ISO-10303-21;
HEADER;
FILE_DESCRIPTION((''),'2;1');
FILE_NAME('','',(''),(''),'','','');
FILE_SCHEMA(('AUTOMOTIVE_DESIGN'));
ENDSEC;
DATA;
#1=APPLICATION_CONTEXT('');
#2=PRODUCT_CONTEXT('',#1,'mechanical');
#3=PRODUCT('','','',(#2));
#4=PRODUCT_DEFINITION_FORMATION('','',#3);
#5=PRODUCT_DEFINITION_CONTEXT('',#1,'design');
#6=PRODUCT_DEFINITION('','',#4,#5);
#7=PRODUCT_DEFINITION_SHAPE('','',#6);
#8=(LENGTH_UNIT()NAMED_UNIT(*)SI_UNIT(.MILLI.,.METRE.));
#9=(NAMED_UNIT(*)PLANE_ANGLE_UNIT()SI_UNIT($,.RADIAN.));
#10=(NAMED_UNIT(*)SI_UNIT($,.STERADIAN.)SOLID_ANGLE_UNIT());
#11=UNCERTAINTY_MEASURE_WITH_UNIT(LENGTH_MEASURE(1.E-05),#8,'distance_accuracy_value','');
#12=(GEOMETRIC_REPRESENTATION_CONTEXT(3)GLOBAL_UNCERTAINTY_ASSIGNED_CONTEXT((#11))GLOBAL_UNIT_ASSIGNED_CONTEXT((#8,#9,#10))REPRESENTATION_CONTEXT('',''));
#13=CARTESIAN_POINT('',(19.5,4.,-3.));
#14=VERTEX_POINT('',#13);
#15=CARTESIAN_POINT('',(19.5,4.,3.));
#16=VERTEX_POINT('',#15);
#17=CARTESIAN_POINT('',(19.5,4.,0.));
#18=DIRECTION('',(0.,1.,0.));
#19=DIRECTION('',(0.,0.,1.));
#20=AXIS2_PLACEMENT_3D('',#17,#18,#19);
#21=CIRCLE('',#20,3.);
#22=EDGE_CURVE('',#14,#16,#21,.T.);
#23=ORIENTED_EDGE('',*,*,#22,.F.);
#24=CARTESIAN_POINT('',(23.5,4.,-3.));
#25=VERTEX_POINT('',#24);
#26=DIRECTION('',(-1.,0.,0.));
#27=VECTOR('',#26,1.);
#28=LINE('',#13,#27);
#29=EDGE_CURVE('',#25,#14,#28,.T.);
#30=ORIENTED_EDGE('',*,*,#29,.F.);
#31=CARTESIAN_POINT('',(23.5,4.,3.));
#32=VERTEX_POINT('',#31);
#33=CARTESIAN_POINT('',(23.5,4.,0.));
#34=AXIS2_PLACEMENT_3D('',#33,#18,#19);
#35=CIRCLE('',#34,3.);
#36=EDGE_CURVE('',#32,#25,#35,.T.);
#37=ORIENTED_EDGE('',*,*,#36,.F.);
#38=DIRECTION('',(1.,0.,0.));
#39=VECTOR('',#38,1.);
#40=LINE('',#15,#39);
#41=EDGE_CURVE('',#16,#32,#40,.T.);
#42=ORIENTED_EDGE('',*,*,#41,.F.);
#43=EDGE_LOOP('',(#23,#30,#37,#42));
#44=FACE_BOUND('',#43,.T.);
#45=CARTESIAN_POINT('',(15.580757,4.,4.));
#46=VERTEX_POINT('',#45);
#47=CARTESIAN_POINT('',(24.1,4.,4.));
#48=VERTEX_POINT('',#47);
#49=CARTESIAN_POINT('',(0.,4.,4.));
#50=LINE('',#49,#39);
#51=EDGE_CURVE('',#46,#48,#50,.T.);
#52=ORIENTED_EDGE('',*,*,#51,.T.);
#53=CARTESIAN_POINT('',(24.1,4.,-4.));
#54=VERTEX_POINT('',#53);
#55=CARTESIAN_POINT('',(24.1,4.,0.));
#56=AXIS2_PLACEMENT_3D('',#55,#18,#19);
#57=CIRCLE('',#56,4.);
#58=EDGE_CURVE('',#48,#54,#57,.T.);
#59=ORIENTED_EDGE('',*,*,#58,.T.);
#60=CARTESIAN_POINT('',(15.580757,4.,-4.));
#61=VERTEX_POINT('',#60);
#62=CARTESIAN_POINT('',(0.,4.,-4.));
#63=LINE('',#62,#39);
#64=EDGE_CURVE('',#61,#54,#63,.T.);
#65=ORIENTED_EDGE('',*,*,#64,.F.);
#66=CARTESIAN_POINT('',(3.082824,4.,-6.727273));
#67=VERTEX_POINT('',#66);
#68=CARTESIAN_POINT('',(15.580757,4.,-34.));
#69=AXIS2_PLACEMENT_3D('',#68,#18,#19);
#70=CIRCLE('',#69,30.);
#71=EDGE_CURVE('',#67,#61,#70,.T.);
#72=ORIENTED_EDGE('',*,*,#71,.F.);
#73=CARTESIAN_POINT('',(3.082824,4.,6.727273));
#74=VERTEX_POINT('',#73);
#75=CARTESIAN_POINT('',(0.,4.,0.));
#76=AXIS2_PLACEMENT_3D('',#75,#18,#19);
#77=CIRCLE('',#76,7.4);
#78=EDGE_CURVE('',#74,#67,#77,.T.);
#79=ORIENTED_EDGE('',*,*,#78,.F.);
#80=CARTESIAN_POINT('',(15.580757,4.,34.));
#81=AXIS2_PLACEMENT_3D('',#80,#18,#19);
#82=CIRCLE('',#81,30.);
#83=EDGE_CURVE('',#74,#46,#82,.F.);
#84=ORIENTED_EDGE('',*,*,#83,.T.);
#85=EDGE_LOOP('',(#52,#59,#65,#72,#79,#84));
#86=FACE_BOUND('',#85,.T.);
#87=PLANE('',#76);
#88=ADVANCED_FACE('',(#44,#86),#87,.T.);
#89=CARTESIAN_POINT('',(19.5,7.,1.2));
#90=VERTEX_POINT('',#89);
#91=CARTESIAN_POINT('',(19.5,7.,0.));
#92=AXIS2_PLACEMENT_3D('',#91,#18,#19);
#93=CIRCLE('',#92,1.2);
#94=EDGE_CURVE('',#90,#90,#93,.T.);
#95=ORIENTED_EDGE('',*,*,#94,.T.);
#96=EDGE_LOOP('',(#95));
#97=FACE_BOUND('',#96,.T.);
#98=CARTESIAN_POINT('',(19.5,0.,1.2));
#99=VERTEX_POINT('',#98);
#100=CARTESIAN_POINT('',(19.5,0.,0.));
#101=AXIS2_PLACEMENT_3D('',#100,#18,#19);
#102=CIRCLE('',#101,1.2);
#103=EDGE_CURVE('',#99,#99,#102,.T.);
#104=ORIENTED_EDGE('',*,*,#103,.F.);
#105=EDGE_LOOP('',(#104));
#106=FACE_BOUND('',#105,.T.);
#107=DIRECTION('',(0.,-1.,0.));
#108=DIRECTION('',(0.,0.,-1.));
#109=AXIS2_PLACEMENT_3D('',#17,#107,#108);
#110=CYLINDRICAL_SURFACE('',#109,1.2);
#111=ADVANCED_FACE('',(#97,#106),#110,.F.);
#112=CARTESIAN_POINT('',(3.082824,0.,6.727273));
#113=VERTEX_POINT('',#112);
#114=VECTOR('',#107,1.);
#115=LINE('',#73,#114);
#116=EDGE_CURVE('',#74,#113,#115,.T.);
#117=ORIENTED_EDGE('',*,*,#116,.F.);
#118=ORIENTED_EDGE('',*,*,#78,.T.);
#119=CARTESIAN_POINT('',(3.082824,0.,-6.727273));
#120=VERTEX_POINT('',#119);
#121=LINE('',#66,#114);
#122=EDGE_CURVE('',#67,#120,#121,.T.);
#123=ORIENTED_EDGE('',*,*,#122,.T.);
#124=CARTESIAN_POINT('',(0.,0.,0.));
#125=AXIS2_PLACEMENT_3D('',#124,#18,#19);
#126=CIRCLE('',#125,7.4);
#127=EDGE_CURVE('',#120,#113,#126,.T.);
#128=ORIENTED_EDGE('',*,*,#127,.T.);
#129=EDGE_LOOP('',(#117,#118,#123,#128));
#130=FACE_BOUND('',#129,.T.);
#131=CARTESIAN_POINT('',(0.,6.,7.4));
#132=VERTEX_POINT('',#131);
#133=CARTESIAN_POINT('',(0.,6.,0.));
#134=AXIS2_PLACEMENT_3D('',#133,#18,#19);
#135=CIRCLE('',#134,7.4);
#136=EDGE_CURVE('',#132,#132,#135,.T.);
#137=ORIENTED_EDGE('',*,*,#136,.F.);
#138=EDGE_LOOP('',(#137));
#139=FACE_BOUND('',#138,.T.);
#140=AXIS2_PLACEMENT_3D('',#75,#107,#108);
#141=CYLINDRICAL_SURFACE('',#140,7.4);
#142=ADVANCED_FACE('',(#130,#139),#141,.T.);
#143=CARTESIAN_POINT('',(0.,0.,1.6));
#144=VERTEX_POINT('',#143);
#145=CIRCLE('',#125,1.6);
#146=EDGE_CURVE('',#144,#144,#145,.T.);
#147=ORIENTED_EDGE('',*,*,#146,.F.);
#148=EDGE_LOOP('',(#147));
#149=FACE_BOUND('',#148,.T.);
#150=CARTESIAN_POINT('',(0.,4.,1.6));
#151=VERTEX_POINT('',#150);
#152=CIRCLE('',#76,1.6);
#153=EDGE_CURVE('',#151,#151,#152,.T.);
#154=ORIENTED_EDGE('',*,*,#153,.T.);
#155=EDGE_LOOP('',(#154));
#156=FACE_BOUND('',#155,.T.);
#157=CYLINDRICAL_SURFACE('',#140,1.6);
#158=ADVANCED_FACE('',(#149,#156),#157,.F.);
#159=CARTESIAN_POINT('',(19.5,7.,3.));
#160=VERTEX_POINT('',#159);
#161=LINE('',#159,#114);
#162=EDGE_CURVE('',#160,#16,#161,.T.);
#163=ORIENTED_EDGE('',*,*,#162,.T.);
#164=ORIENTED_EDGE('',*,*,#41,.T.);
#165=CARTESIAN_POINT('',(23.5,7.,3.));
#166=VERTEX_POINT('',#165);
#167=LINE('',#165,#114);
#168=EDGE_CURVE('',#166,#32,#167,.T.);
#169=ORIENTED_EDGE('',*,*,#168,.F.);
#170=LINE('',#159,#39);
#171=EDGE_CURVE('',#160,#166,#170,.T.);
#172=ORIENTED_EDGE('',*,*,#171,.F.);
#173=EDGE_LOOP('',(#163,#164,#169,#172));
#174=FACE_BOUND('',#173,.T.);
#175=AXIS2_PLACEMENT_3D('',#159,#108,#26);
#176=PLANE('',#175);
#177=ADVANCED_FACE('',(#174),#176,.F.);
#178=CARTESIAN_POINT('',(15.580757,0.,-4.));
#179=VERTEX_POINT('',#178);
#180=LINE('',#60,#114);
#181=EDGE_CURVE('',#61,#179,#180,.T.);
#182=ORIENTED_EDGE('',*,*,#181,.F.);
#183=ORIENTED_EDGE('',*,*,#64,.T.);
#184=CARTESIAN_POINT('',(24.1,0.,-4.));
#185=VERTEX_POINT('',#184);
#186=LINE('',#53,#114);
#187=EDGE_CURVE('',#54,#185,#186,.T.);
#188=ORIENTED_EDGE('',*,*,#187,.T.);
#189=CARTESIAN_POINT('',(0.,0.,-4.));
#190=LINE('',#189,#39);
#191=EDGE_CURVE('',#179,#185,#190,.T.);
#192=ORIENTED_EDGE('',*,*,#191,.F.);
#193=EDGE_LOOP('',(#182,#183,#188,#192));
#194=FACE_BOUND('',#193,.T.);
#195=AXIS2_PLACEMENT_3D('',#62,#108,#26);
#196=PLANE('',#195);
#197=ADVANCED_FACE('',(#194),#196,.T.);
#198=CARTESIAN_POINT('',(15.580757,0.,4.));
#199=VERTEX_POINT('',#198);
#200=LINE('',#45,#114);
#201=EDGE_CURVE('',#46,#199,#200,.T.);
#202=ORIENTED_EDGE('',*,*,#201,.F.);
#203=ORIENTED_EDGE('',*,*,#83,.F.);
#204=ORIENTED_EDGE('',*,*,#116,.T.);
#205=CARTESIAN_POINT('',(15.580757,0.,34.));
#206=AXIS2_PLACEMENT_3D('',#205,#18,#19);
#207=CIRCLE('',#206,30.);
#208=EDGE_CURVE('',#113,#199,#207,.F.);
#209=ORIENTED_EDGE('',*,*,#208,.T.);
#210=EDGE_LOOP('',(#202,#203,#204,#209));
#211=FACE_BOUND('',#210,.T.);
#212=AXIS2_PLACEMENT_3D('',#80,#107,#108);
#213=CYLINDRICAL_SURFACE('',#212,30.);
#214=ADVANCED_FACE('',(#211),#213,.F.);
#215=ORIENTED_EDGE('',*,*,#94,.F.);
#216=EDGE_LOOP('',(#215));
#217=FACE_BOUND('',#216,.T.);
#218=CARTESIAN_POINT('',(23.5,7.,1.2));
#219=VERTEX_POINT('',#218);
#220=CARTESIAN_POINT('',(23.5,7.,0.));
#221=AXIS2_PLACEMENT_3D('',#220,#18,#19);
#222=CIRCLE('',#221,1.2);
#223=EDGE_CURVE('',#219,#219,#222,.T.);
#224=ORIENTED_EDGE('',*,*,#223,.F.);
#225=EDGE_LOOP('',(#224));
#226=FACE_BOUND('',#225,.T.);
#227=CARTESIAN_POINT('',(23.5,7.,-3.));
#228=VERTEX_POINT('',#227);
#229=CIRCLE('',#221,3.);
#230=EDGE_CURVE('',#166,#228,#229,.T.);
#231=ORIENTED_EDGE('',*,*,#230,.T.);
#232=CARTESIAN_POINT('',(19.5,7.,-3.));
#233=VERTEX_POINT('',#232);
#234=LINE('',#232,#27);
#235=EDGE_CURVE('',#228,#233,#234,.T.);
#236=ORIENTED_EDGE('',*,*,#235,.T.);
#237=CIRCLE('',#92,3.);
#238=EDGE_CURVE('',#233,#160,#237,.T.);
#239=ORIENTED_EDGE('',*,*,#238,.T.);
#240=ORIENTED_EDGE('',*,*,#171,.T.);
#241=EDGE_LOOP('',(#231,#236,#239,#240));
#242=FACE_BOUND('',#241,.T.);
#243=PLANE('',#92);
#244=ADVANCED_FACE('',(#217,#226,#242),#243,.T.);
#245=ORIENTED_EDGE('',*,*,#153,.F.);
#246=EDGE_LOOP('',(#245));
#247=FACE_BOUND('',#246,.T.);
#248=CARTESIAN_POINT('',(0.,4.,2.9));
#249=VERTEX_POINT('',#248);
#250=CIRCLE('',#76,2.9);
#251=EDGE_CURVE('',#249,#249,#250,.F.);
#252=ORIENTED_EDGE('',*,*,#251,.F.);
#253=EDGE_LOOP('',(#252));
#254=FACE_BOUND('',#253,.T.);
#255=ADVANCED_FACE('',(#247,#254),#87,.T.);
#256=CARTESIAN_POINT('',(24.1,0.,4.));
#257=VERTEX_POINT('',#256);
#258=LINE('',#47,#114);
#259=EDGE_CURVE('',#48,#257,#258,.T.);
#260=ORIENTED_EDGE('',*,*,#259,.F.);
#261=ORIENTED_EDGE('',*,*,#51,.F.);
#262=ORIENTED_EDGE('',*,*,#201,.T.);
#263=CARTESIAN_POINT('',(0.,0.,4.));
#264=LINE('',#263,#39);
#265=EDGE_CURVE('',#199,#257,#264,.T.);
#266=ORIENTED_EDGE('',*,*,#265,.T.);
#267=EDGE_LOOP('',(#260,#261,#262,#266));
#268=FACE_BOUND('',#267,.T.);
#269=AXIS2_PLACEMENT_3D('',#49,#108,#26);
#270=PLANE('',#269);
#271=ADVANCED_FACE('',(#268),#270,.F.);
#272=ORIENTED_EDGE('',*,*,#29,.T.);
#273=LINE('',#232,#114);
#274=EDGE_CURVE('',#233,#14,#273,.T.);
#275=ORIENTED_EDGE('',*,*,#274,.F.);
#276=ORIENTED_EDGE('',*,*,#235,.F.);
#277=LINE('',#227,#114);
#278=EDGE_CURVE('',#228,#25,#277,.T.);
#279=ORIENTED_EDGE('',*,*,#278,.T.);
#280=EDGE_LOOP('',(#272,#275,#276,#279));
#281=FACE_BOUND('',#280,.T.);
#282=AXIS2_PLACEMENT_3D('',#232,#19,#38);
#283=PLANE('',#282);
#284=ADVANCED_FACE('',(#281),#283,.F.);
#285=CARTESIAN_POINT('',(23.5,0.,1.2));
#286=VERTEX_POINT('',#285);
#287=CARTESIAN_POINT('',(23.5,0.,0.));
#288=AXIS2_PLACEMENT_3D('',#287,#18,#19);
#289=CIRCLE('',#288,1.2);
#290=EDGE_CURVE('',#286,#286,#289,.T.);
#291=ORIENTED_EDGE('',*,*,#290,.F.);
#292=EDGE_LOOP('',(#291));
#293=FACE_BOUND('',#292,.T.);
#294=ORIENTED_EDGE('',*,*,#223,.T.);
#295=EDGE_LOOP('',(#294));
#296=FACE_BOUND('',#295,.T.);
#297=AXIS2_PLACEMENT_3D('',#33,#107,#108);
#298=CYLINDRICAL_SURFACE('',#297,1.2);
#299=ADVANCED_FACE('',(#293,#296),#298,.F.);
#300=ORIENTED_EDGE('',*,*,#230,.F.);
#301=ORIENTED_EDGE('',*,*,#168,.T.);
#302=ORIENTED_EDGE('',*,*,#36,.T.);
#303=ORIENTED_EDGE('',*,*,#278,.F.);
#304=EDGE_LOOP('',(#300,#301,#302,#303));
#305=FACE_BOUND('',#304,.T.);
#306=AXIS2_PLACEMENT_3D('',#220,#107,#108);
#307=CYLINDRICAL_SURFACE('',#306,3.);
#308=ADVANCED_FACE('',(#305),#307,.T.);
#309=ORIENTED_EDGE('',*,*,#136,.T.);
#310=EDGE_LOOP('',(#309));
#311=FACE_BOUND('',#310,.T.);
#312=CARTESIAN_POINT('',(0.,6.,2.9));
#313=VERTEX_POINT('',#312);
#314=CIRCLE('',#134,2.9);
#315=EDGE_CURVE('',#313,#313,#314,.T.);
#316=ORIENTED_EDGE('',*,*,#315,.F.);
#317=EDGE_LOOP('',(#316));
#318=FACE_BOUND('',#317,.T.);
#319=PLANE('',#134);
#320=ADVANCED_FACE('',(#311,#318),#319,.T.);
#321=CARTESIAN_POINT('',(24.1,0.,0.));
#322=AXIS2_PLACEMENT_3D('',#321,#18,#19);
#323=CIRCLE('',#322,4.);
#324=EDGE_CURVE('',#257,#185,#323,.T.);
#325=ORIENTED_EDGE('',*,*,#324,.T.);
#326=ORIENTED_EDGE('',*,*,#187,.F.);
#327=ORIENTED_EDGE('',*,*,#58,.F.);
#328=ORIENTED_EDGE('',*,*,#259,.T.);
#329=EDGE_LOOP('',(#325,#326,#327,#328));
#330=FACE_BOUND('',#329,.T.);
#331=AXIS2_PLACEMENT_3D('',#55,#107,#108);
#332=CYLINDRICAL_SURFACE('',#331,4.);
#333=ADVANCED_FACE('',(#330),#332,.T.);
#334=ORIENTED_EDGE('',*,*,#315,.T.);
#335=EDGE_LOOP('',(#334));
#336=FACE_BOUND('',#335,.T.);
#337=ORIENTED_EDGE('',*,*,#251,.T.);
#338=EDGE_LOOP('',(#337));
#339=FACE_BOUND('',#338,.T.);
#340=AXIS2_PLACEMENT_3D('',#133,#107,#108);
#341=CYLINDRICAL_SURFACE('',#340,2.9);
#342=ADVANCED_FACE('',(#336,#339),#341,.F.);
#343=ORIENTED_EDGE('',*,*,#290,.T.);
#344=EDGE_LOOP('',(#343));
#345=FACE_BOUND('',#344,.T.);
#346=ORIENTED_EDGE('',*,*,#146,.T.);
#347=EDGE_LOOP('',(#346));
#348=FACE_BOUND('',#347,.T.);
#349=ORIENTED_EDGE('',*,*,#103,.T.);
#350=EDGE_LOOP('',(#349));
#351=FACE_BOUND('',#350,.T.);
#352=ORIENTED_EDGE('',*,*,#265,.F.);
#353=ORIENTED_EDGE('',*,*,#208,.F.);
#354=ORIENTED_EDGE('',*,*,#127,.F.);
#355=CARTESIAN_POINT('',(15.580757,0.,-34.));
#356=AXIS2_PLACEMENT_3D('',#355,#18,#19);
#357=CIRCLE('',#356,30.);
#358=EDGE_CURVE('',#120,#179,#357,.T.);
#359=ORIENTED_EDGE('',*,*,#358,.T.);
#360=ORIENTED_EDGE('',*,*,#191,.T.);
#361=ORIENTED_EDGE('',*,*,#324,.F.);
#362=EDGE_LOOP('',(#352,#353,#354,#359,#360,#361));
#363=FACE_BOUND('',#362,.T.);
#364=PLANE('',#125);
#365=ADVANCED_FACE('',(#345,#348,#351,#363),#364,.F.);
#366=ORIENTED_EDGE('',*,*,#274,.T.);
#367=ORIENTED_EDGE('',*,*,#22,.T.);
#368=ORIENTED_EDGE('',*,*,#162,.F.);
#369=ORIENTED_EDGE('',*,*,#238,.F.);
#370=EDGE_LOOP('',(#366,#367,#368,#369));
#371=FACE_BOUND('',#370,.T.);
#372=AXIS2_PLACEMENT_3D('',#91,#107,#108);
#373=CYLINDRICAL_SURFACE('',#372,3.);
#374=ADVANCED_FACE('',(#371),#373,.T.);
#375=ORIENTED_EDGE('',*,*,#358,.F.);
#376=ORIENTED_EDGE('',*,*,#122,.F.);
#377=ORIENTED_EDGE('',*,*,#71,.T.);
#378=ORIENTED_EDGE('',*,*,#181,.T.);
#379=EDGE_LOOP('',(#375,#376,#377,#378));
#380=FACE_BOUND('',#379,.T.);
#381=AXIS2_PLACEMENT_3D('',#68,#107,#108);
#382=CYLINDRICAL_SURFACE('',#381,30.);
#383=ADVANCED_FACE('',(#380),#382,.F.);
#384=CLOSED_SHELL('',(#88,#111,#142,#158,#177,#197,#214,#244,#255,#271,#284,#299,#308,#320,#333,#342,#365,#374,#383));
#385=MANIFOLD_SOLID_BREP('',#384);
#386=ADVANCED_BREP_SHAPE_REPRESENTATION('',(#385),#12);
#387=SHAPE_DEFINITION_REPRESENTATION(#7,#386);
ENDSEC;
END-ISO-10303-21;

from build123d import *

# Parameters (mm, degrees)
SKETCH1_R           = 1.2
SKETCH1_R_2         = 1.6
BOSS_EXTRUDE1_DEPTH = 4
SKETCH2_R           = 1.2
BOSS_EXTRUDE2_DEPTH = 3
SKETCH3_R           = 2.9
BOSS_EXTRUDE3_DEPTH = 2


with BuildPart() as part:
    # Sketch1 → Boss-Extrude1 (new body)
    with BuildSketch(Plane(origin=(0, 0, 0), x_dir=(1, 0, 0), z_dir=(0, 1, 0))):
        with BuildLine():
            Line((24.1, 4), (15.580757363, 4))
            ThreePointArc((15.580757363, 4), (9.184735872, 4.689747372), (3.082823649, 6.727272727))
            ThreePointArc((3.082823649, 6.727272727), (-7.4, 0), (3.082823649, -6.727272727))
            ThreePointArc((3.082823649, -6.727272727), (9.184735872, -4.689747372), (15.580757363, -4))
            Line((15.580757363, -4), (24.1, -4))
            ThreePointArc((24.1, -4), (28.1, 0), (24.1, 4))
        make_face()
        with Locations((19.5, 0)):
            Circle(SKETCH1_R, mode=Mode.SUBTRACT)
        with Locations((23.5, 0)):
            Circle(SKETCH1_R, mode=Mode.SUBTRACT)
        Circle(SKETCH1_R_2, mode=Mode.SUBTRACT)
    extrude(amount=BOSS_EXTRUDE1_DEPTH)

    # Sketch2 → Boss-Extrude2 (add)
    with BuildSketch(Plane(origin=(0, 4, 0), x_dir=(1, 0, 0), z_dir=(0, 1, 0))):
        with BuildLine():
            Line((19.5, 3), (23.5, 3))
            ThreePointArc((23.5, 3), (26.5, 0), (23.5, -3))
            Line((23.5, -3), (19.5, -3))
            ThreePointArc((19.5, -3), (16.5, 0), (19.5, 3))
        make_face()
        with Locations((19.5, 0)):
            Circle(SKETCH2_R, mode=Mode.SUBTRACT)
        with Locations((23.5, 0)):
            Circle(SKETCH2_R, mode=Mode.SUBTRACT)
    extrude(amount=BOSS_EXTRUDE2_DEPTH)

    # Sketch3 → Boss-Extrude3 (add)
    with BuildSketch(Plane(origin=(0, 4, 0), x_dir=(1, 0, 0), z_dir=(0, 1, 0))):
        with BuildLine():
            ThreePointArc((7.4, 0), (6.227876645, 3.996692695), (3.082823649, 6.727272727))
            ThreePointArc((3.082823649, 6.727272727), (-7.4, 0), (3.082823649, -6.727272727))
            ThreePointArc((3.082823649, -6.727272727), (6.227876645, -3.996692695), (7.4, 0))
        make_face()
        Circle(SKETCH3_R, mode=Mode.SUBTRACT)
    extrude(amount=BOSS_EXTRUDE3_DEPTH)


solid = part.part
